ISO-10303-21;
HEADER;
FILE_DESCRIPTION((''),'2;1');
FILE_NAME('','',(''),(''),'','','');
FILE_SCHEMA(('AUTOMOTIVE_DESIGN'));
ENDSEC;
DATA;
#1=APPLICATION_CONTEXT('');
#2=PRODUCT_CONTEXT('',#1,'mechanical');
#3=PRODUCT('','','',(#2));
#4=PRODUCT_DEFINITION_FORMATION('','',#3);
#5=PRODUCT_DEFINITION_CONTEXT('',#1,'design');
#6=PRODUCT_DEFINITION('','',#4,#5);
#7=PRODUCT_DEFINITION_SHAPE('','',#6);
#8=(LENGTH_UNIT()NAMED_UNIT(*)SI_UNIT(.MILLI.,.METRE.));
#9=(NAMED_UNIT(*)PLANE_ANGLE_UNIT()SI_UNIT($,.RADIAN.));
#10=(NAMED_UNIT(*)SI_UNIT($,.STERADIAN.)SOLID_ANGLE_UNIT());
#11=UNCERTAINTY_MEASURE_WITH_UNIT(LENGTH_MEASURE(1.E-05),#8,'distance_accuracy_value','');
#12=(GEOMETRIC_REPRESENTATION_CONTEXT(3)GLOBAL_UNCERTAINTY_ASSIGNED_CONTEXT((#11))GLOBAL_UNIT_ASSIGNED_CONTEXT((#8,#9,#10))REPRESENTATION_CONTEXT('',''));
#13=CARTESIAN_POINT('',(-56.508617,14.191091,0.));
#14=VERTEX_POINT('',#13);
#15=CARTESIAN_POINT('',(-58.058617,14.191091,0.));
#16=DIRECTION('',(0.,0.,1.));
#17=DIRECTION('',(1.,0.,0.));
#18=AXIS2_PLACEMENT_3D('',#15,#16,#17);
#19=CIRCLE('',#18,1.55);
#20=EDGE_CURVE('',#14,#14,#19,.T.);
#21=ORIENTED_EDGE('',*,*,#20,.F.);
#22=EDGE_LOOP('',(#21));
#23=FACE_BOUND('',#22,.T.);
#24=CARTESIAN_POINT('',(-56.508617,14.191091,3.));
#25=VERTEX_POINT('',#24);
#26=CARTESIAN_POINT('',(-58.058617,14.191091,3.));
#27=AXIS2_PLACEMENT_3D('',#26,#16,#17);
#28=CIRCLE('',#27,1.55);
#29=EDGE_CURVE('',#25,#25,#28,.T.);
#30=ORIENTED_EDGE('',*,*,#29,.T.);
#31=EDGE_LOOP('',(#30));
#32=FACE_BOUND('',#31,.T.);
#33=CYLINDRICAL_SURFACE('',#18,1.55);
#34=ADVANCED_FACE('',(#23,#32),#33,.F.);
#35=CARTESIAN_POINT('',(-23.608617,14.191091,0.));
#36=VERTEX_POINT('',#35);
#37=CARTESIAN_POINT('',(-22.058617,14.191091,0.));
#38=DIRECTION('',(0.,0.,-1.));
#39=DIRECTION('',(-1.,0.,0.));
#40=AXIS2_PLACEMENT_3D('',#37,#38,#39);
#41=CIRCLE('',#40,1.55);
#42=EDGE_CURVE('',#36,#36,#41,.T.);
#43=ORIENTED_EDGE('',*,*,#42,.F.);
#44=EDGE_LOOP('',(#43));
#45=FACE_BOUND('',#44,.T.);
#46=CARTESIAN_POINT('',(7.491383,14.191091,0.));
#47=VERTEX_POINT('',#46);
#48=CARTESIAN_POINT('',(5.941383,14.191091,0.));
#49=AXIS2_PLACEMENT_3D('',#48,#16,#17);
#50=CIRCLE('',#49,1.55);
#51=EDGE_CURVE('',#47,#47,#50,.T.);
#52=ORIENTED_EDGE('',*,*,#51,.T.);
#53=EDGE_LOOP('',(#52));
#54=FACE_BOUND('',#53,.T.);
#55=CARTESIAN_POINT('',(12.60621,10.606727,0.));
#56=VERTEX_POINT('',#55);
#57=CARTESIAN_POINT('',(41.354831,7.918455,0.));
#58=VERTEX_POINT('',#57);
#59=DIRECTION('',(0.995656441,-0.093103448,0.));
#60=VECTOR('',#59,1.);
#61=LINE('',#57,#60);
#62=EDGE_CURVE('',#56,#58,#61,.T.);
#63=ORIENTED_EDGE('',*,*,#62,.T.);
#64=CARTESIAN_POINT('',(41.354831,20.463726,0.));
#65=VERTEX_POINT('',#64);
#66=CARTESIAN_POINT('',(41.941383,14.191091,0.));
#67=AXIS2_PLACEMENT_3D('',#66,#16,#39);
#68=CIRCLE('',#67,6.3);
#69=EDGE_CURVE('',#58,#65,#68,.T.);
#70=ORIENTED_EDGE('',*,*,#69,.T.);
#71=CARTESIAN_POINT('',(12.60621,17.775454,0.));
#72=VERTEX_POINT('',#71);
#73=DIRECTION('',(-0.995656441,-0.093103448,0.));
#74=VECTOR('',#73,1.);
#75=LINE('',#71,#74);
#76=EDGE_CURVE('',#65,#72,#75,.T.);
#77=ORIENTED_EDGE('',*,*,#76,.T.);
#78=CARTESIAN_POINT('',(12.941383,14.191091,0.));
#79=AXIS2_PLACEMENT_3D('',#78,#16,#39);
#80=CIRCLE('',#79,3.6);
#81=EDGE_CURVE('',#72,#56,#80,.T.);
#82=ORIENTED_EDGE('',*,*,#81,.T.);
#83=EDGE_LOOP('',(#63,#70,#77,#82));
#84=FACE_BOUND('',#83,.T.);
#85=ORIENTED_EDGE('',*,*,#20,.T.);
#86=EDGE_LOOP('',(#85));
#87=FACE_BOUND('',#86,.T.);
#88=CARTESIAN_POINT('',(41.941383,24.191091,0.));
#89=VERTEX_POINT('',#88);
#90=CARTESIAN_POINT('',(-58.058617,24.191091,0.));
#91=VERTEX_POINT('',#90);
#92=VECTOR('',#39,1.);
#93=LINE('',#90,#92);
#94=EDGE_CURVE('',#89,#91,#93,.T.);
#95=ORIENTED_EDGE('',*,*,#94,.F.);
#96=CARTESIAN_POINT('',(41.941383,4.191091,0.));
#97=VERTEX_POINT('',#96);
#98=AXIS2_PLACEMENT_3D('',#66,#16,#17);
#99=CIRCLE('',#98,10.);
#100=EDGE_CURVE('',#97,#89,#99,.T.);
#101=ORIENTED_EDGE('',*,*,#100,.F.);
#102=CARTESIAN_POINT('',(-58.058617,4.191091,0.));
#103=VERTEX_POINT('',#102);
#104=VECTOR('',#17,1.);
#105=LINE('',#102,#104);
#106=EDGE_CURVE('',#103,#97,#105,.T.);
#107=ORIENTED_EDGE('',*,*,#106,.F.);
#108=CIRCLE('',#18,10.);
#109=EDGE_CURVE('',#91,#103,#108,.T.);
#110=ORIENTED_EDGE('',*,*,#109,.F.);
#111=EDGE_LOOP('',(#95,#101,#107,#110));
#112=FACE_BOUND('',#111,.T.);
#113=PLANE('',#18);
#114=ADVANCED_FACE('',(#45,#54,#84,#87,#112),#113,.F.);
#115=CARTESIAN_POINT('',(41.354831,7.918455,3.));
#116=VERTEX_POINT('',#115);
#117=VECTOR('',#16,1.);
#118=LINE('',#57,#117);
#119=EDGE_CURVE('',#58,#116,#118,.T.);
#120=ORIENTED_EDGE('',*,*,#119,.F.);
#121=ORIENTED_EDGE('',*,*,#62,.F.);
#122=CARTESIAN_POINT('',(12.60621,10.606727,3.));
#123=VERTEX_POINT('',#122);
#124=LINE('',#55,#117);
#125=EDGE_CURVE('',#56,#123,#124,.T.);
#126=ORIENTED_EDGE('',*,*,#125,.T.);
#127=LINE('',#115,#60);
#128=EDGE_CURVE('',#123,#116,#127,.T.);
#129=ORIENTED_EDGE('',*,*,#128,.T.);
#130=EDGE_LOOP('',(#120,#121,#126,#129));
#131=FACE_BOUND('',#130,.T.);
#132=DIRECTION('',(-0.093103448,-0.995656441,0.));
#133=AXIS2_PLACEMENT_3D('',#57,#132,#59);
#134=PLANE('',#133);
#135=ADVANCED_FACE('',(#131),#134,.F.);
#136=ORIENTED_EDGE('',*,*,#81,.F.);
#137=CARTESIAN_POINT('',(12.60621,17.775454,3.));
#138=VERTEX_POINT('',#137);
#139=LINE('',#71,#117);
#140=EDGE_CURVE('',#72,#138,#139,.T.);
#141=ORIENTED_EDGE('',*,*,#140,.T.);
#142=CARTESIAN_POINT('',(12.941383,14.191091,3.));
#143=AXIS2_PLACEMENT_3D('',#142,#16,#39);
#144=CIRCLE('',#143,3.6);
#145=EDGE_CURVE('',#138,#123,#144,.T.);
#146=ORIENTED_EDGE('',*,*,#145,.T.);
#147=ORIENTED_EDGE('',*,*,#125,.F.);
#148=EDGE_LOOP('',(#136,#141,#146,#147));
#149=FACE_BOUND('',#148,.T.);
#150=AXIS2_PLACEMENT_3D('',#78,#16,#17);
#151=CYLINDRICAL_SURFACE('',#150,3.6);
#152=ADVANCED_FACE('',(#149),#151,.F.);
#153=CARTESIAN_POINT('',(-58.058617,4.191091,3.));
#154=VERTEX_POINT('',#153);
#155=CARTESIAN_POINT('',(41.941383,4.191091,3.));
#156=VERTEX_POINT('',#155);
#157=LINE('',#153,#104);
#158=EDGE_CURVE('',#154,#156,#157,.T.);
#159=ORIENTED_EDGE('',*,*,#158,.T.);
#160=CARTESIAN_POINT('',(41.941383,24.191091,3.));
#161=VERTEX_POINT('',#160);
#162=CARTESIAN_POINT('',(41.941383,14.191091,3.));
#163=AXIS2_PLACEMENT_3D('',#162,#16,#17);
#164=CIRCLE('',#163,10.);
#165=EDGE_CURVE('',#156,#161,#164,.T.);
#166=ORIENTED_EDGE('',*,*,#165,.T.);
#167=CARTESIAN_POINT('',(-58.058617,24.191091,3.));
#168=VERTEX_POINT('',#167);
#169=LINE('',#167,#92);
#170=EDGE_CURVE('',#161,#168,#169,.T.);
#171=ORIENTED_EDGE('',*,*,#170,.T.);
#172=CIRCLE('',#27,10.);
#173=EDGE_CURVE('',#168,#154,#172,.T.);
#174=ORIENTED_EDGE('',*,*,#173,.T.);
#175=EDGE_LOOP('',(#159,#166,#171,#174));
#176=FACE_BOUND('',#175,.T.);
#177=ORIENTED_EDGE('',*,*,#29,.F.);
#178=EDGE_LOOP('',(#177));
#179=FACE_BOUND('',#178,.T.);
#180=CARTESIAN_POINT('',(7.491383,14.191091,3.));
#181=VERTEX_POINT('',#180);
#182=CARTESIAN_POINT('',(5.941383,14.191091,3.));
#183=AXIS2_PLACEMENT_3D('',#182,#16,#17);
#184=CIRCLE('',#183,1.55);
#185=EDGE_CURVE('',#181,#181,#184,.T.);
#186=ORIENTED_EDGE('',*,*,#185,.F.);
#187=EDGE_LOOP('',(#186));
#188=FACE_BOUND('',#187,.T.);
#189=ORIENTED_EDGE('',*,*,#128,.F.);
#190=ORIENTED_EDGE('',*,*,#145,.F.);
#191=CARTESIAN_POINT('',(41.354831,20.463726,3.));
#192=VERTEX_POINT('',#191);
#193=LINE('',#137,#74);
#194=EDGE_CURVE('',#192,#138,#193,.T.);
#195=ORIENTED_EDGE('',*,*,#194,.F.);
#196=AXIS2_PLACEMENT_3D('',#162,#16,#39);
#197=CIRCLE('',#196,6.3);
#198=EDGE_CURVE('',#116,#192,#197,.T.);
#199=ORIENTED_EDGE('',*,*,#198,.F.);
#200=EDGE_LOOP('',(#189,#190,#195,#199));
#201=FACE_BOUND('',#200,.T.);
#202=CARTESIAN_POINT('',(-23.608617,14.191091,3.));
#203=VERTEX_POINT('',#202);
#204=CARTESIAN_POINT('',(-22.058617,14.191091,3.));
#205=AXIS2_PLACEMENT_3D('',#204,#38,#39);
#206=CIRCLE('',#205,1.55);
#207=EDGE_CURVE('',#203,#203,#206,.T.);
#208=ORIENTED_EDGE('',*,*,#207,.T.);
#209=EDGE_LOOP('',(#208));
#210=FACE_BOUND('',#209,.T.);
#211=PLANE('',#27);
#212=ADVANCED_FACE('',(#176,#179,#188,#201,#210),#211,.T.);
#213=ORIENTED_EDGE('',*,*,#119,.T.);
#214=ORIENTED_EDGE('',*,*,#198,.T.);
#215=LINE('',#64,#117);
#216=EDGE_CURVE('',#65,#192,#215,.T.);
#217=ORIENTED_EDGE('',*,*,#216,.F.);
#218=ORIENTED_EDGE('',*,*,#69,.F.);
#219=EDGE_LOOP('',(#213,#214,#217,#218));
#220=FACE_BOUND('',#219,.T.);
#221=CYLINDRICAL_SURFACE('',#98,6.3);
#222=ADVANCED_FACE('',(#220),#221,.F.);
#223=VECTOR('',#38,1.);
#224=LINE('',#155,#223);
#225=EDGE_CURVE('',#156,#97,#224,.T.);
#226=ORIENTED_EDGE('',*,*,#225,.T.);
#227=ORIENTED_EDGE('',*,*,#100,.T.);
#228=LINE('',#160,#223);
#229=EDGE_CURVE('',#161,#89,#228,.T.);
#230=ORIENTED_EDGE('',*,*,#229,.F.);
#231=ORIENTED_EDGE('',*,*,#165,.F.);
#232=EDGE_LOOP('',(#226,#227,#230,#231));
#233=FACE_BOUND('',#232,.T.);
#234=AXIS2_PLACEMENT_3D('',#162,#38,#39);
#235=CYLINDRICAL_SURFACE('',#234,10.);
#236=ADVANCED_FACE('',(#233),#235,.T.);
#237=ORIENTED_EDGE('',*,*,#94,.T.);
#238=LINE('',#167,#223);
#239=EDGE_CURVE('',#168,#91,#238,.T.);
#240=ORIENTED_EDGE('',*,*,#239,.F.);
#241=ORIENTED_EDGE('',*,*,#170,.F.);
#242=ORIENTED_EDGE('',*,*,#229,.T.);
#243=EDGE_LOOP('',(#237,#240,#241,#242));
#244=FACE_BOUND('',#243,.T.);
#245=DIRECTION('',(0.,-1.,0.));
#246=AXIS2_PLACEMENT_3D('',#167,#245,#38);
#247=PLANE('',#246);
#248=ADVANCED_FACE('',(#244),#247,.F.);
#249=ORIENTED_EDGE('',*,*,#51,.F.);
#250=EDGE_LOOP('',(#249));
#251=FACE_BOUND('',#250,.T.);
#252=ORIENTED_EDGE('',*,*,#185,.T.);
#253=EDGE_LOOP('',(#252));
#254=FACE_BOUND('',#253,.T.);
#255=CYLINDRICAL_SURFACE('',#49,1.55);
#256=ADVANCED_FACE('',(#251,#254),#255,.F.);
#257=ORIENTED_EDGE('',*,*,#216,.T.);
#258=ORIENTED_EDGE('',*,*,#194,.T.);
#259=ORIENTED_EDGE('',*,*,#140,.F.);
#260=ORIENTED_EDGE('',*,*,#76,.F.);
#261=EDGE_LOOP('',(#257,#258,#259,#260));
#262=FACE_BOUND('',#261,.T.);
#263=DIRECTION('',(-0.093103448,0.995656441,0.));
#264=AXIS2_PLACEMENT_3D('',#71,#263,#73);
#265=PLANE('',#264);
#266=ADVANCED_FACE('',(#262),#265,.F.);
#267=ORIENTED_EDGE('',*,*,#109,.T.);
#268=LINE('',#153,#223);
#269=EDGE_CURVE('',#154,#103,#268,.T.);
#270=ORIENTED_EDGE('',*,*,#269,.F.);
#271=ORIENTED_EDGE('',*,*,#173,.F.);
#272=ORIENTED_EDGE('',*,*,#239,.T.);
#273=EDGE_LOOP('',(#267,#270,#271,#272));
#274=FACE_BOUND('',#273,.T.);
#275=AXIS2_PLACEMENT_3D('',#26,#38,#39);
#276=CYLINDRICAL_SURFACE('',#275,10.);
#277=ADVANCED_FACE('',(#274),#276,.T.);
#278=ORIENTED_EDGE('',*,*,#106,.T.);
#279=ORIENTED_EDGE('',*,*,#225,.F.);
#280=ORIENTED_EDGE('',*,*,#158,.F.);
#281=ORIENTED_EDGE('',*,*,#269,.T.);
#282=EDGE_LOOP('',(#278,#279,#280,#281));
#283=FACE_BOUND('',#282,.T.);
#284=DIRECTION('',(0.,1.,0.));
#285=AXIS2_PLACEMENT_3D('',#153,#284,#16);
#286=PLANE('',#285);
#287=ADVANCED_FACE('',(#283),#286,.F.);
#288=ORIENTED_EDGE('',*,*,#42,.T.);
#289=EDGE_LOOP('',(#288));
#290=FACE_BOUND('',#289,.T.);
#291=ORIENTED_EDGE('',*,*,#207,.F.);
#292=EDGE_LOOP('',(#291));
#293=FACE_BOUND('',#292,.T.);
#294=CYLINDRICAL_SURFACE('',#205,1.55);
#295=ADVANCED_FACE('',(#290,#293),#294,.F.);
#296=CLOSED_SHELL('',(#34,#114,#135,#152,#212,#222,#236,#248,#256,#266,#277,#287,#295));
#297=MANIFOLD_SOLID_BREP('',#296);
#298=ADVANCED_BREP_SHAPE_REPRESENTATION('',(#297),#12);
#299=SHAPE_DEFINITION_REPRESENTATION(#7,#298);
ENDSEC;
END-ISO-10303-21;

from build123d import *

# Parameters (mm, degrees)
BOSS_EXTRUDE1_DEPTH = 3
SKETCH3_R           = 1.55
CUT_EXTRUDE2_DEPTH  = 3
SKETCH4_R           = 1.55
CUT_EXTRUDE4_DEPTH  = 3
SKETCH5_R           = 1.55
CUT_EXTRUDE6_DEPTH  = 3
CUT_EXTRUDE7_DEPTH  = 3


with BuildPart() as part:
    # Sketch1 → Boss-Extrude1 (new body)
    with BuildSketch(Plane.XY):
        with BuildLine():
            Line((-58.058617241, 24.191090517), (41.941382759, 24.191090517))
            ThreePointArc((41.941382759, 24.191090517), (51.941382759, 14.191090517), (41.941382759, 4.191090517))
            Line((41.941382759, 4.191090517), (-58.058617241, 4.191090517))
            ThreePointArc((-58.058617241, 4.191090517), (-68.058617241, 14.191090517), (-58.058617241, 24.191090517))
        make_face()
    extrude(amount=BOSS_EXTRUDE1_DEPTH)

    # Sketch3 → Cut-Extrude2 (cut)
    with BuildSketch(Plane.XY.offset(3)):
        with Locations((-58.058617241, 14.191090517)):
            Circle(SKETCH3_R)
    extrude(amount=-CUT_EXTRUDE2_DEPTH, mode=Mode.SUBTRACT)

    # Sketch4 → Cut-Extrude4 (cut)
    with BuildSketch(Plane(origin=(9.979459273, 1.433252018, 3), x_dir=(1, 0, 0), z_dir=(0, 0, 1))):
        with Locations((-4.038076514, 12.757838499)):
            Circle(SKETCH4_R)
    extrude(amount=-CUT_EXTRUDE4_DEPTH, mode=Mode.SUBTRACT)

    # Sketch5 → Cut-Extrude6 (cut)
    with BuildSketch(Plane(origin=(-9.979459273, 1.433252018, 0), x_dir=(-1, 0, 0), z_dir=(0, 0, -1))):
        with Locations((12.079157968, 12.757838499)):
            Circle(SKETCH5_R)
    extrude(amount=-CUT_EXTRUDE6_DEPTH, mode=Mode.SUBTRACT)

    # Sketch6 → Cut-Extrude7 (cut)
    with BuildSketch(Plane.XY.offset(3)):
        with BuildLine():
            Line((12.606210345, 17.775453704), (41.354831035, 20.463726093))
            ThreePointArc((41.354831035, 20.463726093), (48.241382759, 14.191090517), (41.354831035, 7.918454941))
            Line((41.354831035, 7.918454941), (12.606210345, 10.60672733))
            ThreePointArc((12.606210345, 10.60672733), (9.341382759, 14.191090517), (12.606210345, 17.775453704))
        make_face()
    extrude(amount=-CUT_EXTRUDE7_DEPTH, mode=Mode.SUBTRACT)


solid = part.part
